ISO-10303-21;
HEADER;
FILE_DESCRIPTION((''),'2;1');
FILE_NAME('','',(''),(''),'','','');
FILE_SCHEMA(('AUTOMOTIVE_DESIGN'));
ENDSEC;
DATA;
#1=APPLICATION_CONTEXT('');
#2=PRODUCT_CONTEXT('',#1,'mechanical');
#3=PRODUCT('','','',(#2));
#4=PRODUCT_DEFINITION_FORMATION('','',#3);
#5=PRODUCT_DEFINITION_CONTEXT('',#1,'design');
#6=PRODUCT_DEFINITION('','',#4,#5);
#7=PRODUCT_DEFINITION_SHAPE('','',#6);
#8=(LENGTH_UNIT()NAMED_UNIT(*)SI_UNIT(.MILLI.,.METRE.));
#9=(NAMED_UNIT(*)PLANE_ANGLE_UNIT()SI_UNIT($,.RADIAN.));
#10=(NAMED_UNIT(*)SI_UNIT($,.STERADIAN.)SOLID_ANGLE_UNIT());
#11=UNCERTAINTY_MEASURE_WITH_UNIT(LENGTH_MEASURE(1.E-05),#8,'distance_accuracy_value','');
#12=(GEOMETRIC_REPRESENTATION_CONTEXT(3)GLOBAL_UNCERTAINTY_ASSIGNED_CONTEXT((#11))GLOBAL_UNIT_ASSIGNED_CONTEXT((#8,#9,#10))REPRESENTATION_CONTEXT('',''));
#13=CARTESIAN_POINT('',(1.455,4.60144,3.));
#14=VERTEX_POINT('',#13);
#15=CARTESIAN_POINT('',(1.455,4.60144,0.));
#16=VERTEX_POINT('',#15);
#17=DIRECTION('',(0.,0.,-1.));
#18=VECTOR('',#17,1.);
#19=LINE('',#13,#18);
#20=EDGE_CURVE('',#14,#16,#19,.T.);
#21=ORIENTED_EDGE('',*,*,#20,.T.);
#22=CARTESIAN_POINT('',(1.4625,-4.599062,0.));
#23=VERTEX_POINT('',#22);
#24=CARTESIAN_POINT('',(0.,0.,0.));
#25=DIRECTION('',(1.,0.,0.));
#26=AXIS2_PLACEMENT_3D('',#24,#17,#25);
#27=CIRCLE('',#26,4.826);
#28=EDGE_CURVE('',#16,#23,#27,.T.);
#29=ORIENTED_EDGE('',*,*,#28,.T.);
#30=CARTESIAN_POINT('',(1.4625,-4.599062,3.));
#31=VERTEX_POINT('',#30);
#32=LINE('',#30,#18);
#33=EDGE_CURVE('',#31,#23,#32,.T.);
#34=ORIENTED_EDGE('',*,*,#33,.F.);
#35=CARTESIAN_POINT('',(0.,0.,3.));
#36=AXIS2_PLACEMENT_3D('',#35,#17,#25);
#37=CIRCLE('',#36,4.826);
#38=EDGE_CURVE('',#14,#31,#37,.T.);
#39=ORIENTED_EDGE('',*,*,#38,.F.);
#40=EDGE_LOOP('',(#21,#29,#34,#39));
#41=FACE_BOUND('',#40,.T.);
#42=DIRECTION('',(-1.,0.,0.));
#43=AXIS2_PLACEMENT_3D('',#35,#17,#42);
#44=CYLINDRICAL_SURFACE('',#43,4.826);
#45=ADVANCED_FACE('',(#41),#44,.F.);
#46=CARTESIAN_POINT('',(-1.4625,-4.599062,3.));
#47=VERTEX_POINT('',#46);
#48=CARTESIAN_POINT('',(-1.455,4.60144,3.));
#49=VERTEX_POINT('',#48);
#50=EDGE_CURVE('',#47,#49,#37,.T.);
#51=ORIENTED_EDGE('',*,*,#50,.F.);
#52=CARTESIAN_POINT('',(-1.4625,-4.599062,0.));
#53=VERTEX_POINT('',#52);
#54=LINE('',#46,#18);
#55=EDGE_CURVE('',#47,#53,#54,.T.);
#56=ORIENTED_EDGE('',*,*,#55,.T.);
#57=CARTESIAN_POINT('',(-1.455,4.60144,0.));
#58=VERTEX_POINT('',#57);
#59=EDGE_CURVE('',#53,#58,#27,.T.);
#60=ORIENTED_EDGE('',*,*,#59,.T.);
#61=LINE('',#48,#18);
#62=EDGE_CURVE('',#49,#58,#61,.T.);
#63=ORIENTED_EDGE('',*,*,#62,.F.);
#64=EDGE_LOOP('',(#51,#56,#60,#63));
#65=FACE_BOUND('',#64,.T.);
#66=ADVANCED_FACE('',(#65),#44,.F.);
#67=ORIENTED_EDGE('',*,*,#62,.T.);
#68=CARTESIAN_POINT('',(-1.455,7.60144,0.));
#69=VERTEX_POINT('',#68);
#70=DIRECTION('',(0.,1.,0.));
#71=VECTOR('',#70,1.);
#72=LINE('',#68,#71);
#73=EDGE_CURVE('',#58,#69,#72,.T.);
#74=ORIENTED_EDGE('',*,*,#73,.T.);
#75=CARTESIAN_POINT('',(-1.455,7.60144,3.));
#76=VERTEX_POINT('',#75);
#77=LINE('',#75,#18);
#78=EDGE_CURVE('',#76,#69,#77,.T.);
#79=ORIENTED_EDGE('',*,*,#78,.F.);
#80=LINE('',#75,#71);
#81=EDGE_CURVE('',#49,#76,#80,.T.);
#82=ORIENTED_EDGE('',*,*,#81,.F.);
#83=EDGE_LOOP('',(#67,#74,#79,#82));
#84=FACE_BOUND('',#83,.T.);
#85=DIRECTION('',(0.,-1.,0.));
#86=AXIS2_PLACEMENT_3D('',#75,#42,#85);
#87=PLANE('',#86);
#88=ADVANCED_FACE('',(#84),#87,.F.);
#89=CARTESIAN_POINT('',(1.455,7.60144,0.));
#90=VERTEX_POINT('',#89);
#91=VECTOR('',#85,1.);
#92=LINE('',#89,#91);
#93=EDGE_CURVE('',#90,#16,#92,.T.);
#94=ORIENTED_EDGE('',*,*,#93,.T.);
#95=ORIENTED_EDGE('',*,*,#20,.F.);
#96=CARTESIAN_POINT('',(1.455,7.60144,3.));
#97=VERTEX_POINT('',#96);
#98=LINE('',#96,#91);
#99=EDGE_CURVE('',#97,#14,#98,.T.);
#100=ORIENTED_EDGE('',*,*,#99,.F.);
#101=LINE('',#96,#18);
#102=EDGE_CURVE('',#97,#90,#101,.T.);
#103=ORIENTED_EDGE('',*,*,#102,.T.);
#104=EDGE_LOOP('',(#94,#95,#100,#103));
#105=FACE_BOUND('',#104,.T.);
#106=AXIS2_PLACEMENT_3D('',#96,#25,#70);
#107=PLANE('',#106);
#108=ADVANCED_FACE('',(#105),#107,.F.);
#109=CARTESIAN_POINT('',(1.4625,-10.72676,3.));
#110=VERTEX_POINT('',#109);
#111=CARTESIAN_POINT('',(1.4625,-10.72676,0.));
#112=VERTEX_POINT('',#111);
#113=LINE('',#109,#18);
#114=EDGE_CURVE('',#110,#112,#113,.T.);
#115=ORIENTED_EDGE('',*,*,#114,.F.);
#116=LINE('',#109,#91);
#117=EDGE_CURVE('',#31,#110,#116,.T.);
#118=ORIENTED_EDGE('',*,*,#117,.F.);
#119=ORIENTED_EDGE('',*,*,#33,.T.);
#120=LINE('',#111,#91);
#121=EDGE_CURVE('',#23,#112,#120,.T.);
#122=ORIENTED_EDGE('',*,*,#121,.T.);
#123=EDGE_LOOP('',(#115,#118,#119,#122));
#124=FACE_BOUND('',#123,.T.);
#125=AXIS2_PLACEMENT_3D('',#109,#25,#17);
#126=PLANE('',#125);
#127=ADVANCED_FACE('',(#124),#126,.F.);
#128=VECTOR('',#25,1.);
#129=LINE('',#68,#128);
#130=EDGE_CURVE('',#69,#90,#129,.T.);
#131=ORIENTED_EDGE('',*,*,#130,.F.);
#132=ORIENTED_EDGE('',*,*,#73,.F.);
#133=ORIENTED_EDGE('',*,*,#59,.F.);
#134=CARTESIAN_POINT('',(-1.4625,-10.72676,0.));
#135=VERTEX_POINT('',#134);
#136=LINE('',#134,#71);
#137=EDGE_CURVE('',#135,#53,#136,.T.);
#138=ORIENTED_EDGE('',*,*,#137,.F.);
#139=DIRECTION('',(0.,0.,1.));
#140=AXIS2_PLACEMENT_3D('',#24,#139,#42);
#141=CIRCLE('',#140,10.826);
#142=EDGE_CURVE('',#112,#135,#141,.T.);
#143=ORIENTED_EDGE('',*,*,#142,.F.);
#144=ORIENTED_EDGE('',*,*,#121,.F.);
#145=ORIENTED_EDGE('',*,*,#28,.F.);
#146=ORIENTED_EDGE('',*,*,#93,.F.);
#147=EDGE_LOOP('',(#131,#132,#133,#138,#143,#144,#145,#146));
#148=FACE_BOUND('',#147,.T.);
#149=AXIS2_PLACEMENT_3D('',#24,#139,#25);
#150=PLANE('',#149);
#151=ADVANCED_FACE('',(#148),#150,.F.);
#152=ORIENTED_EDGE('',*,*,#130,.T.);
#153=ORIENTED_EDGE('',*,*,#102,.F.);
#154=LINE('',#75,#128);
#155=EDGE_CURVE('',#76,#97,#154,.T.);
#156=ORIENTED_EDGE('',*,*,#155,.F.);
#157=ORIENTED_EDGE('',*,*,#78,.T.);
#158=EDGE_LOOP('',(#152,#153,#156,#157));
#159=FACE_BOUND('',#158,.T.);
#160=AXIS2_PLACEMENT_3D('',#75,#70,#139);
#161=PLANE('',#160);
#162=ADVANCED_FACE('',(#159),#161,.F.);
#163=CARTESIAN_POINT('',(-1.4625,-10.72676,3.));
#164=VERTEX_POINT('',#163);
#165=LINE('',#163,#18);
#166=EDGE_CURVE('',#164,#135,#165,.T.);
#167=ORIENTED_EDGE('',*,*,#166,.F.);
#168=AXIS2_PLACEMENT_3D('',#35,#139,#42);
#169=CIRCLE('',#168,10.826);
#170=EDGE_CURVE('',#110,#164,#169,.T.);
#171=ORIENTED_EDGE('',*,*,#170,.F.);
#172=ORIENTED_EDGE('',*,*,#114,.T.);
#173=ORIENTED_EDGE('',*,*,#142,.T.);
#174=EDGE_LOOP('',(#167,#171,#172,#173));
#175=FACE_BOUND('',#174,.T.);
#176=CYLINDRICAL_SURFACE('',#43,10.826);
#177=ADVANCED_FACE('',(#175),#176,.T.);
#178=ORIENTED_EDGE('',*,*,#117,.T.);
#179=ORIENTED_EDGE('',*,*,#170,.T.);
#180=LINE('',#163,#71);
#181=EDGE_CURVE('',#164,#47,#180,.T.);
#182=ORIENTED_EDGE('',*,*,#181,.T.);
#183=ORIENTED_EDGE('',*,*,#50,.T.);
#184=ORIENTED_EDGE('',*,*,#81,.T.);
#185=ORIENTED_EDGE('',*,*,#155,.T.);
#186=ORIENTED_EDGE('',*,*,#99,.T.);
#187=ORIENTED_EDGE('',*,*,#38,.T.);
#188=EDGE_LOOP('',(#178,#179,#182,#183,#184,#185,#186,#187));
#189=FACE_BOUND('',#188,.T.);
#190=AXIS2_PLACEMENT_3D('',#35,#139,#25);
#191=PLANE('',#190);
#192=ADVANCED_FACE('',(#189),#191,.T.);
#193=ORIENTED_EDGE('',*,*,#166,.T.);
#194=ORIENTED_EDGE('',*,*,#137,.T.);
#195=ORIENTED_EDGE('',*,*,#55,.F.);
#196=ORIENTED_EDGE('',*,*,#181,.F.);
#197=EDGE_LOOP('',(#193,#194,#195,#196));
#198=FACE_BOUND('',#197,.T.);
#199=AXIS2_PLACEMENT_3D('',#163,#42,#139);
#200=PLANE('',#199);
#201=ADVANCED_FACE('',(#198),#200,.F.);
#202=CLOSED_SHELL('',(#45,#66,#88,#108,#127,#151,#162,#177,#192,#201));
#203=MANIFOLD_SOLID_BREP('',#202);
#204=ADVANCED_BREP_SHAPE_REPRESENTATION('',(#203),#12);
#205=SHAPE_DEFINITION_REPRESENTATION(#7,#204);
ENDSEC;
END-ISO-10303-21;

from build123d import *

# Parameters (mm, degrees)
EXTRUDE_1_DEPTH = 3


with BuildPart() as part:
    # 스케치1 → 보스-돌출1 (new body)
    with BuildSketch(Plane.XY):
        with BuildLine():
            Line((-1.455, 7.601440101), (1.455, 7.601440101))
            Line((1.455, 7.601440101), (1.455, 4.601440101))
            ThreePointArc((1.455, 4.601440101), (4.825998397, 0.003934023), (1.4625, -4.599061834))
            Line((1.4625, -4.599061834), (1.4625, -10.726759518))
            ThreePointArc((1.4625, -10.726759518), (0, 10.826), (-1.4625, -10.726759518))
            Line((-1.4625, -10.726759518), (-1.4625, -4.599061834))
            ThreePointArc((-1.4625, -4.599061834), (-4.825998397, 0.003934023), (-1.455, 4.601440101))
            Line((-1.455, 4.601440101), (-1.455, 7.601440101))
        make_face()
    extrude(amount=EXTRUDE_1_DEPTH)


solid = part.part
